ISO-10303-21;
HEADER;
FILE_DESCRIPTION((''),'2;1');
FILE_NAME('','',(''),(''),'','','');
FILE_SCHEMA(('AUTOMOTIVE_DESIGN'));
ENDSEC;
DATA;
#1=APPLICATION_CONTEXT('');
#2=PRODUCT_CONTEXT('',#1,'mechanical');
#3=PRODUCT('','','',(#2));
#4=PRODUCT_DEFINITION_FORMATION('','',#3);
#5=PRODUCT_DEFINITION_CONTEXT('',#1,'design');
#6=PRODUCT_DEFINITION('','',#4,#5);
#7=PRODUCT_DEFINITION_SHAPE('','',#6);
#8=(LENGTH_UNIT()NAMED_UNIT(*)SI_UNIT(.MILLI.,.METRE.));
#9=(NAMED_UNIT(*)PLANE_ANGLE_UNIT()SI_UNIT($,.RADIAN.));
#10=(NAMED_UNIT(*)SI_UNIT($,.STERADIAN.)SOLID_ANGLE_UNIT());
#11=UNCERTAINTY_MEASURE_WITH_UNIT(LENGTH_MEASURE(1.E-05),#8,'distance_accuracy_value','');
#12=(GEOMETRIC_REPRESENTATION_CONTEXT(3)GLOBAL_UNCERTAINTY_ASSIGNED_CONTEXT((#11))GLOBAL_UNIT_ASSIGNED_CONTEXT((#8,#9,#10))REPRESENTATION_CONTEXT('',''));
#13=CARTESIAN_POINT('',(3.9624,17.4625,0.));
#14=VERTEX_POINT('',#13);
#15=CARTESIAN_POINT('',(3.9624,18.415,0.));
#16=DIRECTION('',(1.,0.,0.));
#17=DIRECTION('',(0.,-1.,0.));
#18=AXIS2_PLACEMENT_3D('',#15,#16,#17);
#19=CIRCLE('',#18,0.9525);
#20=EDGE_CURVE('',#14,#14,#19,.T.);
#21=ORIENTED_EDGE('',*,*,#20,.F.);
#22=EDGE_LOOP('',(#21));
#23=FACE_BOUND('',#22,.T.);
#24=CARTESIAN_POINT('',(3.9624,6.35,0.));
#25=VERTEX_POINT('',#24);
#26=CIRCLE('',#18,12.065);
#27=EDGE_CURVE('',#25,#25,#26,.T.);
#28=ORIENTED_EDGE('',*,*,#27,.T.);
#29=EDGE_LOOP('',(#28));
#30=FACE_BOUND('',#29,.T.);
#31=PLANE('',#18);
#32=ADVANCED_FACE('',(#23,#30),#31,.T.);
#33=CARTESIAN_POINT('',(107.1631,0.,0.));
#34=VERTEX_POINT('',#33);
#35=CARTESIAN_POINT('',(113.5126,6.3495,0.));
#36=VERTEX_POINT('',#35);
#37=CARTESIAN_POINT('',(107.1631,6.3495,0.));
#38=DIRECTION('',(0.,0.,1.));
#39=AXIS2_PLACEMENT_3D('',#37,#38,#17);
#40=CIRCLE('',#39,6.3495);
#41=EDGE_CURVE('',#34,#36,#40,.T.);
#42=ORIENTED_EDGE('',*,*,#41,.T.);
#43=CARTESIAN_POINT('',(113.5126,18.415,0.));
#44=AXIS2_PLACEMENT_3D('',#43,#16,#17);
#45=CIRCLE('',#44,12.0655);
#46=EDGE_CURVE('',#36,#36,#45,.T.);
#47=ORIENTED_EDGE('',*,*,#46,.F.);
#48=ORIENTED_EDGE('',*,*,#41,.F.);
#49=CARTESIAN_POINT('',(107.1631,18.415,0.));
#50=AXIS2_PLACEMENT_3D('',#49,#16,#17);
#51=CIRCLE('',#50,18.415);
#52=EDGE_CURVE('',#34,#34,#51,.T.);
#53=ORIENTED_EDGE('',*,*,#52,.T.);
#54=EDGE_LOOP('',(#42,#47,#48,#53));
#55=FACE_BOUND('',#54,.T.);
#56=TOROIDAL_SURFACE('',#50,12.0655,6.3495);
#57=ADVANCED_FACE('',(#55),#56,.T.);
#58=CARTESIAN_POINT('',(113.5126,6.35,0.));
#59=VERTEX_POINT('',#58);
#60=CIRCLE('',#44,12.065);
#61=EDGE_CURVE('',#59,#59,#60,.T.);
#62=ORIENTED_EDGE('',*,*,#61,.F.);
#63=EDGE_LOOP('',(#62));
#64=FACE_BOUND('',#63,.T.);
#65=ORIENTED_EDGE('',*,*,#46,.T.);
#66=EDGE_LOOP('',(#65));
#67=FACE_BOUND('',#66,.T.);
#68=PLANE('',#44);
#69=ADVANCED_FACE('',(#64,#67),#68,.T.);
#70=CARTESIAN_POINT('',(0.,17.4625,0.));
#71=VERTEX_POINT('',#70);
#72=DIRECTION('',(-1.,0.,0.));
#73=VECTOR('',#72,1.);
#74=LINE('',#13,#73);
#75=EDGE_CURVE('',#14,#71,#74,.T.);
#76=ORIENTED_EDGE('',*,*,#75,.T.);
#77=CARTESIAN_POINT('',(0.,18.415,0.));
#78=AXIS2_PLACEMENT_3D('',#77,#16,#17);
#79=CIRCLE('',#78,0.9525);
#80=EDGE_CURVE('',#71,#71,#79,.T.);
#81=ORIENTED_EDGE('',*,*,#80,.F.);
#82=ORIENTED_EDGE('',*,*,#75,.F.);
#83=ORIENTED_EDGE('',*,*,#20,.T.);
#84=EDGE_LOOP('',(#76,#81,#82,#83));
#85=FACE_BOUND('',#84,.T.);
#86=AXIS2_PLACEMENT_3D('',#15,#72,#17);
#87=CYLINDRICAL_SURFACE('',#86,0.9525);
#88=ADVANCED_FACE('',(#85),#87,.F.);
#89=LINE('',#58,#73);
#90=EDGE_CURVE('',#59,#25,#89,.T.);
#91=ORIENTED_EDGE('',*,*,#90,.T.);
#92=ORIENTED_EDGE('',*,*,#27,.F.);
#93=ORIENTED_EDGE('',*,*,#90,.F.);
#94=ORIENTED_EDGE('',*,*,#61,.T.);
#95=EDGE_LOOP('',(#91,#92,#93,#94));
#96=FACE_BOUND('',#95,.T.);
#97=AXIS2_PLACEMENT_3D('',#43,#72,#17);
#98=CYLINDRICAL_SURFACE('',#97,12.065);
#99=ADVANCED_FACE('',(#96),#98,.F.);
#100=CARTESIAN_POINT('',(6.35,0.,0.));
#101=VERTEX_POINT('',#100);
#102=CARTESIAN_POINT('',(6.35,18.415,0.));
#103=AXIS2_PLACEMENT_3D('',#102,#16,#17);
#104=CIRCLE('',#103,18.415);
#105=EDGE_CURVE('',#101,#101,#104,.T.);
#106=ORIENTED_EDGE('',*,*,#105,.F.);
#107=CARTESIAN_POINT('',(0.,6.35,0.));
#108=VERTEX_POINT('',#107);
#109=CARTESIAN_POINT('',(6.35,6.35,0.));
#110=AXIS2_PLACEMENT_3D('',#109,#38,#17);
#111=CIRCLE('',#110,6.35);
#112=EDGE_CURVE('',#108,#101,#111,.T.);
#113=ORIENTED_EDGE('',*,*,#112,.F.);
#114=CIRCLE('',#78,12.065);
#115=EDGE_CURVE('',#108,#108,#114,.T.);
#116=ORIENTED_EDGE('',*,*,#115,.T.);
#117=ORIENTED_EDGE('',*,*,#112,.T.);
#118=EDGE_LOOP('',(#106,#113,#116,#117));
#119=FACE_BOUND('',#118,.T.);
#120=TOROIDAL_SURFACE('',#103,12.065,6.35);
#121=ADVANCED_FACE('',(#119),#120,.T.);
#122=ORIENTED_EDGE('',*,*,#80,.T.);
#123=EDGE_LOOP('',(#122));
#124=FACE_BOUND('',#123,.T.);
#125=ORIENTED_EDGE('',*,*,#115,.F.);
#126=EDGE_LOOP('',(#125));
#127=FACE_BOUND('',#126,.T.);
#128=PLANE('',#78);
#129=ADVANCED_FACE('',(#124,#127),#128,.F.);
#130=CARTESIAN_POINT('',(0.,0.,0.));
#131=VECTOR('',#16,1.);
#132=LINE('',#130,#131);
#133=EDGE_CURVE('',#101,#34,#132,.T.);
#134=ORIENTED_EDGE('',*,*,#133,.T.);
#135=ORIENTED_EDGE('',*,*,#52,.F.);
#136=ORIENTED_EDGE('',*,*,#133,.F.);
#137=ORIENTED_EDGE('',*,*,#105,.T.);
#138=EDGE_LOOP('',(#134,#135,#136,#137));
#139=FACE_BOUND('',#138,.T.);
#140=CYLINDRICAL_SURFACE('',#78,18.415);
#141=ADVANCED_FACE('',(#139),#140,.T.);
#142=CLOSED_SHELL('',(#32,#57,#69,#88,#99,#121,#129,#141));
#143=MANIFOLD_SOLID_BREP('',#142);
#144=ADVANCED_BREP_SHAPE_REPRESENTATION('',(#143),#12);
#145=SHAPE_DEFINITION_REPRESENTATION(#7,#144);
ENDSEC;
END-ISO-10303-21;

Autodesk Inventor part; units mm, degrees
ref_plane "YZ Plane" through (0, 0, 0) normal (1, 0, 0) x (0, 1, 0)
ref_plane "XZ Plane" through (0, 0, 0) normal (0, 1, 0) x (-1, 0, 0)
ref_plane "XY Plane" through (0, 0, 0) normal (0, 0, 1) x (1, 0, 0)
sketch "Sketch3" plane through (0, 0, 0) normal (0, 0, 1) x (1, 0, 0)
  line L0 (0, 0) -> (113.5126, 0)
  line L1 (113.5126, 0) -> (113.5126, 6.35)
  line L2 (113.5126, 6.35) -> (3.9624, 6.35)
  line L3 (3.9624, 6.35) -> (3.9624, 17.4625)
  line L4 (3.9624, 17.4625) -> (0, 17.4625)
  line L5 (0, 17.4625) -> (0, 0)
  line L6 (0, 17.4625) -> (0, 18.415) construction
  line L7 (0, 18.415) -> (113.5126, 18.415) construction
  line L8 (113.5126, 18.415) -> (113.5126, 0) construction
  dimension "d163" = 113.5126
  dimension "d164" = 6.35
  dimension "d165" = 109.5502
  dimension "d166" = 11.1125
  dimension "d167" = 0.9525
revolve "Revolution2" add sketch "Sketch3" angle 360 about axis through (0, 18.415, 0) along (1, 0, 0)
fillet "Fillet1" radius 6.35 1 edges at (0, 36.83, 0)
fillet "Fillet2" radius 6.35 1 edges at (113.5126, 36.83, 0)
properties part number "5.5 Sleeve Handle" material "Rubber"
